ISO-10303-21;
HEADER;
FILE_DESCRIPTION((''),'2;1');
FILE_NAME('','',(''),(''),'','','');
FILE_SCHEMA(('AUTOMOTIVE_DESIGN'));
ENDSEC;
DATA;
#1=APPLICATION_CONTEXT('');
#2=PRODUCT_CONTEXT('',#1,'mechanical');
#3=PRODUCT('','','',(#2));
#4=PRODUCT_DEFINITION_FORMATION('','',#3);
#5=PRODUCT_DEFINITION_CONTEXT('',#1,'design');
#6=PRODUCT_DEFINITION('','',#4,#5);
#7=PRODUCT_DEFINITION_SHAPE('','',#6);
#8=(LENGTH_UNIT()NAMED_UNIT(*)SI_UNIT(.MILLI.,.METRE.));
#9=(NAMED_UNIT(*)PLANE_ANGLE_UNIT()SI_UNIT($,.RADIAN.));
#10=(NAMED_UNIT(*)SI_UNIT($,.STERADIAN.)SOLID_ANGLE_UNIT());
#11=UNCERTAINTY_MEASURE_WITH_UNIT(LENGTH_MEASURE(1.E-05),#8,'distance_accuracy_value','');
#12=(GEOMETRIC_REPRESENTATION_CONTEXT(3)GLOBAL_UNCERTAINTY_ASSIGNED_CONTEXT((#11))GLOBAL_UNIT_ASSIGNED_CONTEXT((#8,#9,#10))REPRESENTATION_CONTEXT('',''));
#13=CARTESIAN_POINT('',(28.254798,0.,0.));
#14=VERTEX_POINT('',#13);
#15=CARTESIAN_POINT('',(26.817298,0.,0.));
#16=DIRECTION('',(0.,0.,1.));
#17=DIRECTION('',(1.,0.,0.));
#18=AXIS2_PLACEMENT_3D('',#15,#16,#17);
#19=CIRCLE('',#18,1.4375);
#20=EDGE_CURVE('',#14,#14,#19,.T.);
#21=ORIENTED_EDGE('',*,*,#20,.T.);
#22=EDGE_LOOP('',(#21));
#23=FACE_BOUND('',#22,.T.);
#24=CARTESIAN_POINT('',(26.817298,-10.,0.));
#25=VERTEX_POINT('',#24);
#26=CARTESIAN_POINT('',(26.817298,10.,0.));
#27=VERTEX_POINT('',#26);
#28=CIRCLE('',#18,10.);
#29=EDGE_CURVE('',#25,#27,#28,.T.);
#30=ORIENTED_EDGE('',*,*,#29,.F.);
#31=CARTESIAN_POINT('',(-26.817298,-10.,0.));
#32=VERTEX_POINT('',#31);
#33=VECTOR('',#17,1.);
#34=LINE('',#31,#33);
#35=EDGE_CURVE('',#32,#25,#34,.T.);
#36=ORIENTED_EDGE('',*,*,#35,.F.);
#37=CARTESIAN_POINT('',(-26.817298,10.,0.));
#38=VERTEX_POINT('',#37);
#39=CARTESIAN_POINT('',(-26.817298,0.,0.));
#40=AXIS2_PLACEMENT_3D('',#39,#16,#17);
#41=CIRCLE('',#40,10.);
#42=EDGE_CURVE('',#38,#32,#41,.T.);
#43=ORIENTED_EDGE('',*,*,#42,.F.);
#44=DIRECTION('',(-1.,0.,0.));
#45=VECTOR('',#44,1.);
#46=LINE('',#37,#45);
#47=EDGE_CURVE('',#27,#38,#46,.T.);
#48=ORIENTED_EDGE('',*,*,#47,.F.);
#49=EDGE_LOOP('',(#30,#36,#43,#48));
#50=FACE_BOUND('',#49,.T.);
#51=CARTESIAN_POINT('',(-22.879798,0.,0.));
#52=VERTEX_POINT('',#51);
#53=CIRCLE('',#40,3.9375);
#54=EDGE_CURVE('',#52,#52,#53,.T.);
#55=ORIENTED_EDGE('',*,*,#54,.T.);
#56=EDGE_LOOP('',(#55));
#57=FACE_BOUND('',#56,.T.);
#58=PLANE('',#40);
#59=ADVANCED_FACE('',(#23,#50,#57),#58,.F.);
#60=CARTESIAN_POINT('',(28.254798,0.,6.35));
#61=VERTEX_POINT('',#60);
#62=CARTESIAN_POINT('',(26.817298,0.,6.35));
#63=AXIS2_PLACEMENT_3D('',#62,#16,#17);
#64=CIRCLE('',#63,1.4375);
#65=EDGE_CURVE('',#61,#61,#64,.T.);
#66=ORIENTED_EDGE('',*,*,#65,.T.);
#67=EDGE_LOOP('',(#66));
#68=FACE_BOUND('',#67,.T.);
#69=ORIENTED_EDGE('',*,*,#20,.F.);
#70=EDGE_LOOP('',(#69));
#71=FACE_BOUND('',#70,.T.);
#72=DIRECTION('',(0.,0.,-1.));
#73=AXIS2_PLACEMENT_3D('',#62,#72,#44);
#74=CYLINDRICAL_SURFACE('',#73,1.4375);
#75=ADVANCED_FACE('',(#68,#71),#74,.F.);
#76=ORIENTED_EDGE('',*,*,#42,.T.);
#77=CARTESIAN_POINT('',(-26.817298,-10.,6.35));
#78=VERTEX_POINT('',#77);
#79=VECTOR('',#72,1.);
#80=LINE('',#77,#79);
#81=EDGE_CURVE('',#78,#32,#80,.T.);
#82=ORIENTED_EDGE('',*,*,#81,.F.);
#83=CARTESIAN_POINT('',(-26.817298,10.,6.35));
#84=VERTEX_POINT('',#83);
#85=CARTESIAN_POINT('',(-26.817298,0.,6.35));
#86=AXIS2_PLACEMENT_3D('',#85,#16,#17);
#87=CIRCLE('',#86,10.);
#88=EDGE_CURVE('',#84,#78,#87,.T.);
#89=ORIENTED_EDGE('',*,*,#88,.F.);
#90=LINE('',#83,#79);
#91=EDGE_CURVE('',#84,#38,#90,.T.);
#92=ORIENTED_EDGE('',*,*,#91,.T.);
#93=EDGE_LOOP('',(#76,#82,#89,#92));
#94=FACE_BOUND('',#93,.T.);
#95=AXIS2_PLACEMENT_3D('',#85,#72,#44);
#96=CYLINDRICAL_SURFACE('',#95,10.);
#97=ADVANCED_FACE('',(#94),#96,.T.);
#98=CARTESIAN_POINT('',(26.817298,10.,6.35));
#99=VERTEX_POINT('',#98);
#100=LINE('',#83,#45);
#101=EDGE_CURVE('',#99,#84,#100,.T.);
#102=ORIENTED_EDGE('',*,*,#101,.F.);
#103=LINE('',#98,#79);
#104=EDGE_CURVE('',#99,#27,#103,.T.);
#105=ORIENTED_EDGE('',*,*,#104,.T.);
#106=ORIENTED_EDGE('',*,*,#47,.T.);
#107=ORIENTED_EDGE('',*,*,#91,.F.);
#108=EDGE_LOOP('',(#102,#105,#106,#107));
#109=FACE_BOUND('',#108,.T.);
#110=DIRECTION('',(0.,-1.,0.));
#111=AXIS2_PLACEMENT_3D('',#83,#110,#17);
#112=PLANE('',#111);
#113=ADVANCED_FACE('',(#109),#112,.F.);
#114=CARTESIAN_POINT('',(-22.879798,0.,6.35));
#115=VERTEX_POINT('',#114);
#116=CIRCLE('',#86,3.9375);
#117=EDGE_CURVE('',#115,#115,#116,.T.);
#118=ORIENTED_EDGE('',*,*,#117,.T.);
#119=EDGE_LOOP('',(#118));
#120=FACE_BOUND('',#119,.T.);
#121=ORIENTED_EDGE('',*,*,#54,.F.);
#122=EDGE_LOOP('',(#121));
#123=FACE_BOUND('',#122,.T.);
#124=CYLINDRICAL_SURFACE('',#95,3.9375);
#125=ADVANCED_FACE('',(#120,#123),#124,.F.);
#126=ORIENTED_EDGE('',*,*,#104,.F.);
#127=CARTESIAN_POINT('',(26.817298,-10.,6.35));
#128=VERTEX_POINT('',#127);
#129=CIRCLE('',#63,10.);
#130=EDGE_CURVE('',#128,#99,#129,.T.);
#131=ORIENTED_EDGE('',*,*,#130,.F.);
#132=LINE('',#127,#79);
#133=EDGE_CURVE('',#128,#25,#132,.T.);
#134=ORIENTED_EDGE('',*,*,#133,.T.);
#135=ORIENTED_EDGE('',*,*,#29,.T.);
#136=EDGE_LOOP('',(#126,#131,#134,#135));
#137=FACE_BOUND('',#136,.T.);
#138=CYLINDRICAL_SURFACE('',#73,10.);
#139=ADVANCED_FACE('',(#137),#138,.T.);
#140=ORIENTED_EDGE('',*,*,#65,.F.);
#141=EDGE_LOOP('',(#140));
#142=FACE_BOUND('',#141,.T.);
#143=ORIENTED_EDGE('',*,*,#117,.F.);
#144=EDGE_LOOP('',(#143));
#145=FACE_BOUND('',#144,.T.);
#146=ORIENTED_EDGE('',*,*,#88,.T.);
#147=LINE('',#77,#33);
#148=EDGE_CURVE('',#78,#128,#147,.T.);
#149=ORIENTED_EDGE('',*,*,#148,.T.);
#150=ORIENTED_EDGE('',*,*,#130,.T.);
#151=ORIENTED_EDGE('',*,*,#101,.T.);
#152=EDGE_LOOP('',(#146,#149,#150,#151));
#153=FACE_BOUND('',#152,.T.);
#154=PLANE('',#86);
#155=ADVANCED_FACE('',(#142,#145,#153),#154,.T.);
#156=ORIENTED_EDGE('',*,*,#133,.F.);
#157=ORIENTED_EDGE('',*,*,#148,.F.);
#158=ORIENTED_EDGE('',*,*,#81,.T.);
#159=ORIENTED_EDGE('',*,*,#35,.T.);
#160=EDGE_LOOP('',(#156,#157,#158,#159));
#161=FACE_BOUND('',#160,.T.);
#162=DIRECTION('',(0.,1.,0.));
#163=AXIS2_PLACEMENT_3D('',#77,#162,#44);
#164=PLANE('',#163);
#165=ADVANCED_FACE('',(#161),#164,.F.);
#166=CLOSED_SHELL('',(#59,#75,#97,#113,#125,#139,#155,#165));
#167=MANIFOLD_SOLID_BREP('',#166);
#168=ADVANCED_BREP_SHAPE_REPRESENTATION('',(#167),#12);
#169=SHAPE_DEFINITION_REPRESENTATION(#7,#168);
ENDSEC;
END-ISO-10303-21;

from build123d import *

# Parameters (mm, degrees)
SKETCH1_R           = 3.9375
SKETCH1_R_2         = 1.4375
BOSS_EXTRUDE1_DEPTH = 6.35


with BuildPart() as part:
    # Sketch1 → Boss-Extrude1 (new body)
    with BuildSketch(Plane.XY):
        with BuildLine():
            Line((-26.81729841, 10), (26.81729841, 10))
            ThreePointArc((26.81729841, 10), (36.81729841, 0), (26.81729841, -10))
            Line((26.81729841, -10), (-26.81729841, -10))
            ThreePointArc((-26.81729841, -10), (-36.81729841, 0), (-26.81729841, 10))
        make_face()
        with Locations((-26.81729841, 0)):
            Circle(SKETCH1_R, mode=Mode.SUBTRACT)
        with Locations((26.81729841, 0)):
            Circle(SKETCH1_R_2, mode=Mode.SUBTRACT)
    extrude(amount=BOSS_EXTRUDE1_DEPTH)


solid = part.part
